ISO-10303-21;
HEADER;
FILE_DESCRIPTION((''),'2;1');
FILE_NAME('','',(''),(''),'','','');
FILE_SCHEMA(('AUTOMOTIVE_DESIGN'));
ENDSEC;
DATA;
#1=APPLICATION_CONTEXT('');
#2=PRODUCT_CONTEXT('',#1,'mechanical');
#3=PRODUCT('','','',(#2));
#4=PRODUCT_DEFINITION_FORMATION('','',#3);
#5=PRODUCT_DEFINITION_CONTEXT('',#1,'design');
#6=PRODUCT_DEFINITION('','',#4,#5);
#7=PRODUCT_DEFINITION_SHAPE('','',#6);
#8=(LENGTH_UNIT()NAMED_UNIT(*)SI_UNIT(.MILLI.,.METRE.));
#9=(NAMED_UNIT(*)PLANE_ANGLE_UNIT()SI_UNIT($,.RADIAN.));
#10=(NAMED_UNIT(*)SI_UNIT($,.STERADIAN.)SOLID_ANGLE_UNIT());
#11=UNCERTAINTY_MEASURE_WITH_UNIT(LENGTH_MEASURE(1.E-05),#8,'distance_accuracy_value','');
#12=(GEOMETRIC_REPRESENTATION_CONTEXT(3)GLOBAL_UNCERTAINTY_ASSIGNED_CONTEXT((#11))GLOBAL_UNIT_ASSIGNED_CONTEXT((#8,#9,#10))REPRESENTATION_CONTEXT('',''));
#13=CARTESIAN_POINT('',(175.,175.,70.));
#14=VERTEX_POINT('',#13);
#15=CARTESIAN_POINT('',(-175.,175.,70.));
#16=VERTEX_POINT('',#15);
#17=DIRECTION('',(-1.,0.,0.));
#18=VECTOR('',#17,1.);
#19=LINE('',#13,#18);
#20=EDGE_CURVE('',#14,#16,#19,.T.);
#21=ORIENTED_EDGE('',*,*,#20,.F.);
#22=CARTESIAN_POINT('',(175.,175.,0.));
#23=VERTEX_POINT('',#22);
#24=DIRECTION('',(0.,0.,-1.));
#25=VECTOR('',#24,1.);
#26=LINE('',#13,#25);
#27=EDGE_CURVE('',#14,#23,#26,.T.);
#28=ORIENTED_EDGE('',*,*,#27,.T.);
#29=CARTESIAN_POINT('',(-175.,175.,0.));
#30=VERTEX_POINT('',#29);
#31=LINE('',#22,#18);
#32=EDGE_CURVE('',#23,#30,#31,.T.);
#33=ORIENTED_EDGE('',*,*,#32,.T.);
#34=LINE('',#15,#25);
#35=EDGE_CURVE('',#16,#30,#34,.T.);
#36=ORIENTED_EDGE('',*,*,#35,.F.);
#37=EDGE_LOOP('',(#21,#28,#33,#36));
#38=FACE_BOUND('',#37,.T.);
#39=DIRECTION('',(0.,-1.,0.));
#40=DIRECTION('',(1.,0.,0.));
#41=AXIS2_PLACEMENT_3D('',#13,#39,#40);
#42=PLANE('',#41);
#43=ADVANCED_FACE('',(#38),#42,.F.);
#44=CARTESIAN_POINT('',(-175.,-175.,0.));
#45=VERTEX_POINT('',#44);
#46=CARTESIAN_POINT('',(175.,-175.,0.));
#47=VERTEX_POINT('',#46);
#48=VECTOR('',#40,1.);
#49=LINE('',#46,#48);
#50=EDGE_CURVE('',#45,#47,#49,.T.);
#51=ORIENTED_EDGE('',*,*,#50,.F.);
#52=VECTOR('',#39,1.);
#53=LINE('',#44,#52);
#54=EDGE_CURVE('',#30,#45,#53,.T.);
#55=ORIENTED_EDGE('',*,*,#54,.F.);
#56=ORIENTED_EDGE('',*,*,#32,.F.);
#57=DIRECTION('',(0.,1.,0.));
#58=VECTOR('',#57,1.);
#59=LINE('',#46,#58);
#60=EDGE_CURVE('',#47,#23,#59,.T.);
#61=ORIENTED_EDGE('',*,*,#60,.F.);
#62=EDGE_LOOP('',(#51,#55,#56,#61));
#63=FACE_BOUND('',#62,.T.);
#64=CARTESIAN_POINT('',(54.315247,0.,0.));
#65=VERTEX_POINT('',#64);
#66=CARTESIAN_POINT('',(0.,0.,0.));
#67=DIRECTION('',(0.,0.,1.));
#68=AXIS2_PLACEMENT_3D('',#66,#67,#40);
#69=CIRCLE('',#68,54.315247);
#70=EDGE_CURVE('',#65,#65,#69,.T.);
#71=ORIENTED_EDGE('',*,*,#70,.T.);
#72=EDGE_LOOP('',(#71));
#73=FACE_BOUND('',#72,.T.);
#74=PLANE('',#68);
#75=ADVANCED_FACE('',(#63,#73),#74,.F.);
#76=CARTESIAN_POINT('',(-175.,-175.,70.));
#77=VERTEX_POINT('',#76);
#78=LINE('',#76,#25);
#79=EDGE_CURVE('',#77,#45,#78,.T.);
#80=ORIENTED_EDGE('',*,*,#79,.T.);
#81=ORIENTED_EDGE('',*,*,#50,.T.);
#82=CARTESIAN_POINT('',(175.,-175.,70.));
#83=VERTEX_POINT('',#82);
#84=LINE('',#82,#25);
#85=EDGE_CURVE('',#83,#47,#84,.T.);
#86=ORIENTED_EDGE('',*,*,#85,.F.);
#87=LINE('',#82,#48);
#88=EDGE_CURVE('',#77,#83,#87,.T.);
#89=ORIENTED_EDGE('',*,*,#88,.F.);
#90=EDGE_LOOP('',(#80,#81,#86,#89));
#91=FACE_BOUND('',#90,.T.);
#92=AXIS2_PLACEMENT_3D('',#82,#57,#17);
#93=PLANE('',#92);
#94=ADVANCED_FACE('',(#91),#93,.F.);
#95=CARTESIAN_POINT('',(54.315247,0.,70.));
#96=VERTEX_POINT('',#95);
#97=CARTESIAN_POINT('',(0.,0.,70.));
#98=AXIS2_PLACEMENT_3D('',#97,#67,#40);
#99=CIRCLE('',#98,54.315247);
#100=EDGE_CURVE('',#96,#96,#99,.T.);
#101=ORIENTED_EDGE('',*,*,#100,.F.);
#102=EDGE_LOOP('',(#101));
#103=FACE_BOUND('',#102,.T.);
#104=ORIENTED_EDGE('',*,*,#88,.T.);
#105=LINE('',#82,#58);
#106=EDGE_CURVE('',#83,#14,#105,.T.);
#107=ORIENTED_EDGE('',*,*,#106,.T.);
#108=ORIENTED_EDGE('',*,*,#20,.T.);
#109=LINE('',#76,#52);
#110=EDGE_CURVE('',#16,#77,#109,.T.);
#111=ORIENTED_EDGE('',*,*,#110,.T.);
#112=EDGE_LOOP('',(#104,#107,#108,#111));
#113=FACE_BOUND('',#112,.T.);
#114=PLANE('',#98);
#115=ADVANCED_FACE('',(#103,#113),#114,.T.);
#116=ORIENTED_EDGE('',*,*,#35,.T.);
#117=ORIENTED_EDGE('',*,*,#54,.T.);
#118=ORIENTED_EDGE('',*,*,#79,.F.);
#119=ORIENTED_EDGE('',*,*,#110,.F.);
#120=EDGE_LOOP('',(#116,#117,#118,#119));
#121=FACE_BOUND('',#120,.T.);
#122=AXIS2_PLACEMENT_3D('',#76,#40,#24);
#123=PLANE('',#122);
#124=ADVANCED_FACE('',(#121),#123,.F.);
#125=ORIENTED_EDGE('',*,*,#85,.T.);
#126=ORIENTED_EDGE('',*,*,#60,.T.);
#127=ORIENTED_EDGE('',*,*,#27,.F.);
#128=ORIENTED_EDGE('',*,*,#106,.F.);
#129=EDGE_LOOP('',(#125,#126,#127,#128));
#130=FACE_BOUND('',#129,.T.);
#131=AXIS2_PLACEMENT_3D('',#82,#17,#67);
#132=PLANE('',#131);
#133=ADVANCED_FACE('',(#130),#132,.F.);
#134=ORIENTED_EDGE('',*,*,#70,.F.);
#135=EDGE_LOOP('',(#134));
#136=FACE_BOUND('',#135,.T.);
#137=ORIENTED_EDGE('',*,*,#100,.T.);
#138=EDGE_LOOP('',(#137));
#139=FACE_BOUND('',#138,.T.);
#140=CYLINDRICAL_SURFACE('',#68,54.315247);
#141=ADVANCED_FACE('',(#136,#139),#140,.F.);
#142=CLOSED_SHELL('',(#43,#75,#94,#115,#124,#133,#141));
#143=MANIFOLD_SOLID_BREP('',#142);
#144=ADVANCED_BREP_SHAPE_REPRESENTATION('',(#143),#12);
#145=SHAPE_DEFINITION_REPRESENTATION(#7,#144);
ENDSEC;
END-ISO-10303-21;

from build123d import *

# Parameters (mm, degrees)
SKETCH1_W           = 350
SKETCH1_H           = 350
BOSS_EXTRUDE1_DEPTH = 70
SKETCH2_R           = 54.315247482
CUT_EXTRUDE1_DEPTH  = 70


with BuildPart() as part:
    # Sketch1 → Boss-Extrude1 (new body)
    with BuildSketch(Plane.XY):
        Rectangle(SKETCH1_W, SKETCH1_H)
    extrude(amount=BOSS_EXTRUDE1_DEPTH)

    # Sketch2 → Cut-Extrude1 (cut)
    with BuildSketch(Plane.XY.offset(70)):
        Circle(SKETCH2_R)
    extrude(amount=-CUT_EXTRUDE1_DEPTH, mode=Mode.SUBTRACT)


solid = part.part
